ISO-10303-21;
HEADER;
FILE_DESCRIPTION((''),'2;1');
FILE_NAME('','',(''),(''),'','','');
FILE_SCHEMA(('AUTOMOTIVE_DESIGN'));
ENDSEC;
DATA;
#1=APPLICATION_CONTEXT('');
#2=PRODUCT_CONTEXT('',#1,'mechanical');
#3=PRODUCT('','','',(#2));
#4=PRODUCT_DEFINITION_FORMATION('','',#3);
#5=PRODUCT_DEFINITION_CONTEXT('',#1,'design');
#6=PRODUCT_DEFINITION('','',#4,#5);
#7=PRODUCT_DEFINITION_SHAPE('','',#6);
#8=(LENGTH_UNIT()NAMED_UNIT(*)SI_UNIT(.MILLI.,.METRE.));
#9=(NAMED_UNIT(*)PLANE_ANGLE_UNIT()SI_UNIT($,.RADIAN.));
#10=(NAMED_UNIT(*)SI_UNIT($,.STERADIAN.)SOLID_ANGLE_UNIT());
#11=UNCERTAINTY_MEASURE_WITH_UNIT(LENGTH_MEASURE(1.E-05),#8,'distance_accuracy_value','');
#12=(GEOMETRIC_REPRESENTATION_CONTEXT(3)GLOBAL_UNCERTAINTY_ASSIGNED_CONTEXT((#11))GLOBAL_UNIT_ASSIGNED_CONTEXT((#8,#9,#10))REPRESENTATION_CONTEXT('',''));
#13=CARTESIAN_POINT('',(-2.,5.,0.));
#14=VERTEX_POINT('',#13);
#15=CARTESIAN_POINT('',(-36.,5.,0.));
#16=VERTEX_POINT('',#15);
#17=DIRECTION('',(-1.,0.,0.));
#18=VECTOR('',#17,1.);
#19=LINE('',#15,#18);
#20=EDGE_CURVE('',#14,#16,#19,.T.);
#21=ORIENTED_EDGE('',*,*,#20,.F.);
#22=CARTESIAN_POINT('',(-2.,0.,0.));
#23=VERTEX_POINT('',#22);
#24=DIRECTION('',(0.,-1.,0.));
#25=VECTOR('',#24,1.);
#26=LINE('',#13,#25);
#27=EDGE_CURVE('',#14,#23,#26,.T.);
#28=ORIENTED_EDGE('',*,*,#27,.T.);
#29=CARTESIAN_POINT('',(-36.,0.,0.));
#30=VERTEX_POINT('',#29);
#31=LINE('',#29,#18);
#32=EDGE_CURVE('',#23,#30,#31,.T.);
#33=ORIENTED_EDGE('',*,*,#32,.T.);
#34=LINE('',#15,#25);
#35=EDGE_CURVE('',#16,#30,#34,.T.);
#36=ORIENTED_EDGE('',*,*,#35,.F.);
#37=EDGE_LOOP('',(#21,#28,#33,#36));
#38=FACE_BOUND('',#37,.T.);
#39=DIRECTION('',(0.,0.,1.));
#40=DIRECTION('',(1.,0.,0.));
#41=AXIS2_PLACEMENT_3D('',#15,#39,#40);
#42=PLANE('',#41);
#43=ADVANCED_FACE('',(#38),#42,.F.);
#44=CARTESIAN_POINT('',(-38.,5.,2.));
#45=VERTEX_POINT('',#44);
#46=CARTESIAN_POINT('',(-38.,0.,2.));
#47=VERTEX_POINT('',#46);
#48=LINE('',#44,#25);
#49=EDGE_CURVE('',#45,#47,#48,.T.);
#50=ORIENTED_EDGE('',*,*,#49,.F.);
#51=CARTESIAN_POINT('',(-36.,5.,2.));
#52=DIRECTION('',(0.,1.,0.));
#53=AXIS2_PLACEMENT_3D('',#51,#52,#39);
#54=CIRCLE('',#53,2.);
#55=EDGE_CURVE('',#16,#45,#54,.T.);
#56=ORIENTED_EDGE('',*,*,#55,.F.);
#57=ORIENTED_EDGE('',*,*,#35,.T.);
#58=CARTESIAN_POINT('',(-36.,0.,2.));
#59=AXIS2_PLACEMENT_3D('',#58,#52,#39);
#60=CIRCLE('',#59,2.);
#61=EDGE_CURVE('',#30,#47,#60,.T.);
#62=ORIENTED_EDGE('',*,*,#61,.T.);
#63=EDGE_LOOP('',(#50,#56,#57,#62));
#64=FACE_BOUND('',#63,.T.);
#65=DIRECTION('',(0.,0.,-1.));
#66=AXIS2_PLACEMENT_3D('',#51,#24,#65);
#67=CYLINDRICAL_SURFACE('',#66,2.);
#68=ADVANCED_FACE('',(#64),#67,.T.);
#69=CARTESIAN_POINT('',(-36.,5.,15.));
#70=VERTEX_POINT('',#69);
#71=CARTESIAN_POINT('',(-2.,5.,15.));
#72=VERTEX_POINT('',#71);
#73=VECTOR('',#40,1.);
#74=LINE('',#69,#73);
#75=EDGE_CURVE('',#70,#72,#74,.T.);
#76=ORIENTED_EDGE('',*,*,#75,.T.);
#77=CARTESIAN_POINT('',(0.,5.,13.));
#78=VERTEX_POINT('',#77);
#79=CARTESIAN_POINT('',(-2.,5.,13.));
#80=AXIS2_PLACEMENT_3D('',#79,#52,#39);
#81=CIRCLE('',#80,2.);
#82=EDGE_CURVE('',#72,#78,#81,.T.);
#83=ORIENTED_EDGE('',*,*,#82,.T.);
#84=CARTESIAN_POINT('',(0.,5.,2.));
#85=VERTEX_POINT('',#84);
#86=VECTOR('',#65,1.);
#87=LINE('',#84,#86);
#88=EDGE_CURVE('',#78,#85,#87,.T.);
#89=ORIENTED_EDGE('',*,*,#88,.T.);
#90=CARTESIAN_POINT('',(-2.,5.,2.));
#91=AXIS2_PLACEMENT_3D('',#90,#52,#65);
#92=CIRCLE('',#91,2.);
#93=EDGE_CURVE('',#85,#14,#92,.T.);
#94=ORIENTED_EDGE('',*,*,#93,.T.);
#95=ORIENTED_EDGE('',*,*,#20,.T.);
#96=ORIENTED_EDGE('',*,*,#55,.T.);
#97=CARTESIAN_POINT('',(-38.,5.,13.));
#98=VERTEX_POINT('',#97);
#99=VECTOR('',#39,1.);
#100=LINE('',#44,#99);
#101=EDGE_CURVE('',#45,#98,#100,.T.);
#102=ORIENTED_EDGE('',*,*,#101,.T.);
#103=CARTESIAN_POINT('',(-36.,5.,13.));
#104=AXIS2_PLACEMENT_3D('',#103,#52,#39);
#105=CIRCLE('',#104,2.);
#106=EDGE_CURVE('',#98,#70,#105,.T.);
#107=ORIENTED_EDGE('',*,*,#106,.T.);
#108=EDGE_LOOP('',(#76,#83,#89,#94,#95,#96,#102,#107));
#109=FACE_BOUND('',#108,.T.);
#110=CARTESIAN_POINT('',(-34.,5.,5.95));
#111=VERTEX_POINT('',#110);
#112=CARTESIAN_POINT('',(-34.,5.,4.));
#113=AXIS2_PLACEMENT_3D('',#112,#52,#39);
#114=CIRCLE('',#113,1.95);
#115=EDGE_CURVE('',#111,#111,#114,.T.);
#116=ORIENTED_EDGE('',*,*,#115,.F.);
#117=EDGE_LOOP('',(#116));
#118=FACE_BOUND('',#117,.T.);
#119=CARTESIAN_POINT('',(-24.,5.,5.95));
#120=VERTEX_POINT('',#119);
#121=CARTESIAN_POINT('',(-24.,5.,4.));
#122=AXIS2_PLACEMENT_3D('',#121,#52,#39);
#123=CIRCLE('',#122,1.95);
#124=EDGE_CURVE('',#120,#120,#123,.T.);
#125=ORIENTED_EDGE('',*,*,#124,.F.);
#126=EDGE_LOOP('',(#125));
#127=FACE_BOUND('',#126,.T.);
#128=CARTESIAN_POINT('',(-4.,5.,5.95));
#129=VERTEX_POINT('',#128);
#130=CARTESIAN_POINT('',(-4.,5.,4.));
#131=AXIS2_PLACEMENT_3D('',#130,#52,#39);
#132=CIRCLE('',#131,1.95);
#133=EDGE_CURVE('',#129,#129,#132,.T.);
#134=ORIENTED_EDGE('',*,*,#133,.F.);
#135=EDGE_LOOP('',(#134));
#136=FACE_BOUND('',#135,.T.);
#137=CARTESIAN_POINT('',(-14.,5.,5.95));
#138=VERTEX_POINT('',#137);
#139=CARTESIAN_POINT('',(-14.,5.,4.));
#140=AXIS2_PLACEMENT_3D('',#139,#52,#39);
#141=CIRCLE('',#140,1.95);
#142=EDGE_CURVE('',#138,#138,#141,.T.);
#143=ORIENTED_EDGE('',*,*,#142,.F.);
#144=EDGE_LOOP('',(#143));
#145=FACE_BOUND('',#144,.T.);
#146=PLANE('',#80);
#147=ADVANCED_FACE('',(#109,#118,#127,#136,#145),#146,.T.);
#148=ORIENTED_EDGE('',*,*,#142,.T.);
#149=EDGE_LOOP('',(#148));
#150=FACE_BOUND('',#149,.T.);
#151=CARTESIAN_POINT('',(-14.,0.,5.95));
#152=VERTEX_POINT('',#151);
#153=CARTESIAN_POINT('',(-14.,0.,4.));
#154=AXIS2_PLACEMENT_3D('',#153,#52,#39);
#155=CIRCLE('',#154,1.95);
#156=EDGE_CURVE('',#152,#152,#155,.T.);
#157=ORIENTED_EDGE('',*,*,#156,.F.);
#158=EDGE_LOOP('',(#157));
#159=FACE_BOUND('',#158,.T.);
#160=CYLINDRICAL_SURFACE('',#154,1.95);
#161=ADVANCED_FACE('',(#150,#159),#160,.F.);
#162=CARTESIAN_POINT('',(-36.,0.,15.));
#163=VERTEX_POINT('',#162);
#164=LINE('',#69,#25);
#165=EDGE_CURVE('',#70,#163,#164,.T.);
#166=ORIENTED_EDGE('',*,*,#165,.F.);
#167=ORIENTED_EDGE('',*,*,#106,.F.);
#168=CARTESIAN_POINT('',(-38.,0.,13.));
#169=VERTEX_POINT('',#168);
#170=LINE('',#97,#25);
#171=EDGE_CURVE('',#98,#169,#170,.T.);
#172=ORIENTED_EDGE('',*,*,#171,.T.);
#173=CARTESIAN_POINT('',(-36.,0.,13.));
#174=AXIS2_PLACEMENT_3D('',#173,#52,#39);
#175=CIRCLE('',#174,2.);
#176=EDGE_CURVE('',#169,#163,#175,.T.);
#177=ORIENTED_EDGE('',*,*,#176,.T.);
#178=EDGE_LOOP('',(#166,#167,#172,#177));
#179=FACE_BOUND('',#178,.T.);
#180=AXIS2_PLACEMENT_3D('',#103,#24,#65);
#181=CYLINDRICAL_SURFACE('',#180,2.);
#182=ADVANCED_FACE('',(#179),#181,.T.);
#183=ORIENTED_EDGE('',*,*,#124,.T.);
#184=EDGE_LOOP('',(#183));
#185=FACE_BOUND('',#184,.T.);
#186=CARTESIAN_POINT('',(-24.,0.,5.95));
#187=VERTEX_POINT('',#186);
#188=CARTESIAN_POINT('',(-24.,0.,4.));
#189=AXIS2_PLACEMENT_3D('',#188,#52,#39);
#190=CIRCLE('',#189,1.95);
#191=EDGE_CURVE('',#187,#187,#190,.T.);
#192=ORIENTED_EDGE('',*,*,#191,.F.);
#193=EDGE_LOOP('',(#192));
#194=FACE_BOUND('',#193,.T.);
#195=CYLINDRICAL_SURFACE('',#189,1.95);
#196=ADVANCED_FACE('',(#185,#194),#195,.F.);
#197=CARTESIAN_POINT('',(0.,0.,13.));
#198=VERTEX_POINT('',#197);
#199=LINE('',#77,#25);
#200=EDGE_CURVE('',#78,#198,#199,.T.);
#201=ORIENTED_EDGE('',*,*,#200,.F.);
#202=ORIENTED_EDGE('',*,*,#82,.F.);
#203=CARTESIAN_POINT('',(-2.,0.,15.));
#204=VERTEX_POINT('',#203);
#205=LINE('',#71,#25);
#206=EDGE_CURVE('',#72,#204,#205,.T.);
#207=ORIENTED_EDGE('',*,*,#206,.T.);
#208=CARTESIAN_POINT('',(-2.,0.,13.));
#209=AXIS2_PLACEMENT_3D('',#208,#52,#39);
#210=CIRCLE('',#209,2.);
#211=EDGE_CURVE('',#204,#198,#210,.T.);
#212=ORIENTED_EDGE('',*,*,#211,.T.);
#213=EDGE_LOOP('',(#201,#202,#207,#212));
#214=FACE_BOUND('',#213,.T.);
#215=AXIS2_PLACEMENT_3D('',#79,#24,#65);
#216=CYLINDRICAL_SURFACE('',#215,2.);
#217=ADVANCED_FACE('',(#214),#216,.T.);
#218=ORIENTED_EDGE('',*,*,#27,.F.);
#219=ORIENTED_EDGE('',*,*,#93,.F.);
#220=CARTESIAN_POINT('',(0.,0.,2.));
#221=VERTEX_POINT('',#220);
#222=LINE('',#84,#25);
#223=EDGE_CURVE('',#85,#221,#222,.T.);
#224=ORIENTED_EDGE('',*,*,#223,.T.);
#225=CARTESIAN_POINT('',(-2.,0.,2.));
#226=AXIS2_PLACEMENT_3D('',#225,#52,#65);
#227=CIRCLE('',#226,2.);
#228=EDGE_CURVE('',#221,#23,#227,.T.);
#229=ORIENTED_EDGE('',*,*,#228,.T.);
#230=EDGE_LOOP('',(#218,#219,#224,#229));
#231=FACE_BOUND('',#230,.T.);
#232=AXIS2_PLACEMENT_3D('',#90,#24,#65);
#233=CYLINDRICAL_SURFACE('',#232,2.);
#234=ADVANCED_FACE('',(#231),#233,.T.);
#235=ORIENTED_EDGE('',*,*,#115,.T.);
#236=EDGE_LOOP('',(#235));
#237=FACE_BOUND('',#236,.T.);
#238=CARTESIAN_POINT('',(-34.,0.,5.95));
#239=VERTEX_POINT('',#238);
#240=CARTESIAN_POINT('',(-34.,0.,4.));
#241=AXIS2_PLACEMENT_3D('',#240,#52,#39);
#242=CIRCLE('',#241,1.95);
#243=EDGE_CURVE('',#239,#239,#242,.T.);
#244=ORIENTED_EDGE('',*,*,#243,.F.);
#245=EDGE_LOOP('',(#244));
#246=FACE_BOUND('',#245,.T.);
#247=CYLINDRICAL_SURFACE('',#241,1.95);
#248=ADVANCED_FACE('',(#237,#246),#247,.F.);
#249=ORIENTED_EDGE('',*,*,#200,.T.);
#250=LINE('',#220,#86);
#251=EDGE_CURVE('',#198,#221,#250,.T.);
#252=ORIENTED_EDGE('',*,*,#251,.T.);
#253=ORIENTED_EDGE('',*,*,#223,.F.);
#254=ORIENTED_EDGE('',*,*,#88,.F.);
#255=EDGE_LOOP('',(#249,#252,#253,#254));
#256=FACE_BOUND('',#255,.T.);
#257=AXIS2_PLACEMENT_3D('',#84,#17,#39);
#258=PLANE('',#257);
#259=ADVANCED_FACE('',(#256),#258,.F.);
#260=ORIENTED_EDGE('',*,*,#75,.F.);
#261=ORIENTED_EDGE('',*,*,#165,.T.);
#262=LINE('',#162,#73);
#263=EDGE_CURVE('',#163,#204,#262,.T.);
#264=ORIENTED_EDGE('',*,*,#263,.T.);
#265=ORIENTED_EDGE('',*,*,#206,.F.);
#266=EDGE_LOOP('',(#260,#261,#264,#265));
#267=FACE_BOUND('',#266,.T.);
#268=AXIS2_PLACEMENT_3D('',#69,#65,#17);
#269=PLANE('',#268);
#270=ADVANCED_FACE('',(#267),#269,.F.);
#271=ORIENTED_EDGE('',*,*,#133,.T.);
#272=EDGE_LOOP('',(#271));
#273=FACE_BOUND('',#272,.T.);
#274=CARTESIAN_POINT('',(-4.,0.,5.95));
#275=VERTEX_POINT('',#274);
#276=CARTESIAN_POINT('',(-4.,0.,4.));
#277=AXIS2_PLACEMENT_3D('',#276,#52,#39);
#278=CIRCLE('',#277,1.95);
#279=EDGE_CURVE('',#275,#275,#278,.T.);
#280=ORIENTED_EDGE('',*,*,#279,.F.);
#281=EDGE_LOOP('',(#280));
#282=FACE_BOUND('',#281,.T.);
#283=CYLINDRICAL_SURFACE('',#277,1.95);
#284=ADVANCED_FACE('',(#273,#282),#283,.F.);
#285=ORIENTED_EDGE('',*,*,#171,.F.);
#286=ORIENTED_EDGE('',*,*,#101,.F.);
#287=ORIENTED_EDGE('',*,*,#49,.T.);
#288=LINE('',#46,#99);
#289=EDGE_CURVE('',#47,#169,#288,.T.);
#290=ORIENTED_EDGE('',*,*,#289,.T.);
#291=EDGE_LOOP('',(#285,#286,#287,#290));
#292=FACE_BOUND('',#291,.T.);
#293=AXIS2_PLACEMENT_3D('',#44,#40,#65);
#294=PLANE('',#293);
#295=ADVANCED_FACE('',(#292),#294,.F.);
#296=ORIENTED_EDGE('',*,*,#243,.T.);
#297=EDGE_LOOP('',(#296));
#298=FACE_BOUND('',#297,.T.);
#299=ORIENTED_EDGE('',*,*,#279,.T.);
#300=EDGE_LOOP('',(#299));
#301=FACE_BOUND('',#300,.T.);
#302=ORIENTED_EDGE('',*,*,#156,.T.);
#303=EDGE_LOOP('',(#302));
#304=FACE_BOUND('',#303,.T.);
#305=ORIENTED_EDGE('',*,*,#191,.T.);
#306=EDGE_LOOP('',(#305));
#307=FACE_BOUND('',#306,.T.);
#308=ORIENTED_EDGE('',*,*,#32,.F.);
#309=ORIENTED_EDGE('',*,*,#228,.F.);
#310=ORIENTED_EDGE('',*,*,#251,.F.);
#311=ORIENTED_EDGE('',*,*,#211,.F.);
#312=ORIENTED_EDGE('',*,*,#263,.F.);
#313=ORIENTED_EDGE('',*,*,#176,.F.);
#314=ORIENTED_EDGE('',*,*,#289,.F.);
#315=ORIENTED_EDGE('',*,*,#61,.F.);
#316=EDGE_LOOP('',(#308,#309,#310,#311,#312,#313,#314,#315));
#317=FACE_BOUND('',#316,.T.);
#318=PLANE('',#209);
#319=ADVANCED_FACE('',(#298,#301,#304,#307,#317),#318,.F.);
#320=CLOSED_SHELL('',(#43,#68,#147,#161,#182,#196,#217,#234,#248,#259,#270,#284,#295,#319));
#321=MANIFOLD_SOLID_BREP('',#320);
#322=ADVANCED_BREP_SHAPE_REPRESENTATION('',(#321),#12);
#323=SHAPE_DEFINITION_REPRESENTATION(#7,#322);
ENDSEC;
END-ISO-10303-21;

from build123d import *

# Parameters (mm, degrees)
BOSS_EXTRUDE1_DEPTH = 5
SKETCH2_R           = 1.95
CUT_EXTRUDE1_DEPTH  = 6


with BuildPart() as part:
    # Sketch1 → Boss-Extrude1 (new body)
    with BuildSketch(Plane(origin=(0, 0, 0), x_dir=(1, 0, 0), z_dir=(0, 1, 0))):
        with BuildLine():
            Line((-36, 0), (-2, 0))
            ThreePointArc((-2, 0), (-0.585786438, -0.585786438), (0, -2))
            Line((0, -2), (0, -13))
            ThreePointArc((0, -13), (-0.585786438, -14.414213562), (-2, -15))
            Line((-2, -15), (-36, -15))
            ThreePointArc((-36, -15), (-37.414213562, -14.414213562), (-38, -13))
            Line((-38, -13), (-38, -2))
            ThreePointArc((-38, -2), (-37.414213562, -0.585786438), (-36, 0))
        make_face()
    extrude(amount=BOSS_EXTRUDE1_DEPTH)

    # Sketch2 → Cut-Extrude1 (cut, through all)
    with BuildSketch(Plane(origin=(0, 5, 0), x_dir=(1, 0, 0), z_dir=(0, 1, 0))):
        with Locations((-4, -4)):
            Circle(SKETCH2_R)
        with Locations((-14, -4)):
            Circle(SKETCH2_R)
        with Locations((-24, -4)):
            Circle(SKETCH2_R)
        with Locations((-54, -4)):
            Circle(SKETCH2_R)
        with Locations((-34, -4)):
            Circle(SKETCH2_R)
        with Locations((-44, -4)):
            Circle(SKETCH2_R)
    extrude(amount=-CUT_EXTRUDE1_DEPTH, mode=Mode.SUBTRACT)


solid = part.part
